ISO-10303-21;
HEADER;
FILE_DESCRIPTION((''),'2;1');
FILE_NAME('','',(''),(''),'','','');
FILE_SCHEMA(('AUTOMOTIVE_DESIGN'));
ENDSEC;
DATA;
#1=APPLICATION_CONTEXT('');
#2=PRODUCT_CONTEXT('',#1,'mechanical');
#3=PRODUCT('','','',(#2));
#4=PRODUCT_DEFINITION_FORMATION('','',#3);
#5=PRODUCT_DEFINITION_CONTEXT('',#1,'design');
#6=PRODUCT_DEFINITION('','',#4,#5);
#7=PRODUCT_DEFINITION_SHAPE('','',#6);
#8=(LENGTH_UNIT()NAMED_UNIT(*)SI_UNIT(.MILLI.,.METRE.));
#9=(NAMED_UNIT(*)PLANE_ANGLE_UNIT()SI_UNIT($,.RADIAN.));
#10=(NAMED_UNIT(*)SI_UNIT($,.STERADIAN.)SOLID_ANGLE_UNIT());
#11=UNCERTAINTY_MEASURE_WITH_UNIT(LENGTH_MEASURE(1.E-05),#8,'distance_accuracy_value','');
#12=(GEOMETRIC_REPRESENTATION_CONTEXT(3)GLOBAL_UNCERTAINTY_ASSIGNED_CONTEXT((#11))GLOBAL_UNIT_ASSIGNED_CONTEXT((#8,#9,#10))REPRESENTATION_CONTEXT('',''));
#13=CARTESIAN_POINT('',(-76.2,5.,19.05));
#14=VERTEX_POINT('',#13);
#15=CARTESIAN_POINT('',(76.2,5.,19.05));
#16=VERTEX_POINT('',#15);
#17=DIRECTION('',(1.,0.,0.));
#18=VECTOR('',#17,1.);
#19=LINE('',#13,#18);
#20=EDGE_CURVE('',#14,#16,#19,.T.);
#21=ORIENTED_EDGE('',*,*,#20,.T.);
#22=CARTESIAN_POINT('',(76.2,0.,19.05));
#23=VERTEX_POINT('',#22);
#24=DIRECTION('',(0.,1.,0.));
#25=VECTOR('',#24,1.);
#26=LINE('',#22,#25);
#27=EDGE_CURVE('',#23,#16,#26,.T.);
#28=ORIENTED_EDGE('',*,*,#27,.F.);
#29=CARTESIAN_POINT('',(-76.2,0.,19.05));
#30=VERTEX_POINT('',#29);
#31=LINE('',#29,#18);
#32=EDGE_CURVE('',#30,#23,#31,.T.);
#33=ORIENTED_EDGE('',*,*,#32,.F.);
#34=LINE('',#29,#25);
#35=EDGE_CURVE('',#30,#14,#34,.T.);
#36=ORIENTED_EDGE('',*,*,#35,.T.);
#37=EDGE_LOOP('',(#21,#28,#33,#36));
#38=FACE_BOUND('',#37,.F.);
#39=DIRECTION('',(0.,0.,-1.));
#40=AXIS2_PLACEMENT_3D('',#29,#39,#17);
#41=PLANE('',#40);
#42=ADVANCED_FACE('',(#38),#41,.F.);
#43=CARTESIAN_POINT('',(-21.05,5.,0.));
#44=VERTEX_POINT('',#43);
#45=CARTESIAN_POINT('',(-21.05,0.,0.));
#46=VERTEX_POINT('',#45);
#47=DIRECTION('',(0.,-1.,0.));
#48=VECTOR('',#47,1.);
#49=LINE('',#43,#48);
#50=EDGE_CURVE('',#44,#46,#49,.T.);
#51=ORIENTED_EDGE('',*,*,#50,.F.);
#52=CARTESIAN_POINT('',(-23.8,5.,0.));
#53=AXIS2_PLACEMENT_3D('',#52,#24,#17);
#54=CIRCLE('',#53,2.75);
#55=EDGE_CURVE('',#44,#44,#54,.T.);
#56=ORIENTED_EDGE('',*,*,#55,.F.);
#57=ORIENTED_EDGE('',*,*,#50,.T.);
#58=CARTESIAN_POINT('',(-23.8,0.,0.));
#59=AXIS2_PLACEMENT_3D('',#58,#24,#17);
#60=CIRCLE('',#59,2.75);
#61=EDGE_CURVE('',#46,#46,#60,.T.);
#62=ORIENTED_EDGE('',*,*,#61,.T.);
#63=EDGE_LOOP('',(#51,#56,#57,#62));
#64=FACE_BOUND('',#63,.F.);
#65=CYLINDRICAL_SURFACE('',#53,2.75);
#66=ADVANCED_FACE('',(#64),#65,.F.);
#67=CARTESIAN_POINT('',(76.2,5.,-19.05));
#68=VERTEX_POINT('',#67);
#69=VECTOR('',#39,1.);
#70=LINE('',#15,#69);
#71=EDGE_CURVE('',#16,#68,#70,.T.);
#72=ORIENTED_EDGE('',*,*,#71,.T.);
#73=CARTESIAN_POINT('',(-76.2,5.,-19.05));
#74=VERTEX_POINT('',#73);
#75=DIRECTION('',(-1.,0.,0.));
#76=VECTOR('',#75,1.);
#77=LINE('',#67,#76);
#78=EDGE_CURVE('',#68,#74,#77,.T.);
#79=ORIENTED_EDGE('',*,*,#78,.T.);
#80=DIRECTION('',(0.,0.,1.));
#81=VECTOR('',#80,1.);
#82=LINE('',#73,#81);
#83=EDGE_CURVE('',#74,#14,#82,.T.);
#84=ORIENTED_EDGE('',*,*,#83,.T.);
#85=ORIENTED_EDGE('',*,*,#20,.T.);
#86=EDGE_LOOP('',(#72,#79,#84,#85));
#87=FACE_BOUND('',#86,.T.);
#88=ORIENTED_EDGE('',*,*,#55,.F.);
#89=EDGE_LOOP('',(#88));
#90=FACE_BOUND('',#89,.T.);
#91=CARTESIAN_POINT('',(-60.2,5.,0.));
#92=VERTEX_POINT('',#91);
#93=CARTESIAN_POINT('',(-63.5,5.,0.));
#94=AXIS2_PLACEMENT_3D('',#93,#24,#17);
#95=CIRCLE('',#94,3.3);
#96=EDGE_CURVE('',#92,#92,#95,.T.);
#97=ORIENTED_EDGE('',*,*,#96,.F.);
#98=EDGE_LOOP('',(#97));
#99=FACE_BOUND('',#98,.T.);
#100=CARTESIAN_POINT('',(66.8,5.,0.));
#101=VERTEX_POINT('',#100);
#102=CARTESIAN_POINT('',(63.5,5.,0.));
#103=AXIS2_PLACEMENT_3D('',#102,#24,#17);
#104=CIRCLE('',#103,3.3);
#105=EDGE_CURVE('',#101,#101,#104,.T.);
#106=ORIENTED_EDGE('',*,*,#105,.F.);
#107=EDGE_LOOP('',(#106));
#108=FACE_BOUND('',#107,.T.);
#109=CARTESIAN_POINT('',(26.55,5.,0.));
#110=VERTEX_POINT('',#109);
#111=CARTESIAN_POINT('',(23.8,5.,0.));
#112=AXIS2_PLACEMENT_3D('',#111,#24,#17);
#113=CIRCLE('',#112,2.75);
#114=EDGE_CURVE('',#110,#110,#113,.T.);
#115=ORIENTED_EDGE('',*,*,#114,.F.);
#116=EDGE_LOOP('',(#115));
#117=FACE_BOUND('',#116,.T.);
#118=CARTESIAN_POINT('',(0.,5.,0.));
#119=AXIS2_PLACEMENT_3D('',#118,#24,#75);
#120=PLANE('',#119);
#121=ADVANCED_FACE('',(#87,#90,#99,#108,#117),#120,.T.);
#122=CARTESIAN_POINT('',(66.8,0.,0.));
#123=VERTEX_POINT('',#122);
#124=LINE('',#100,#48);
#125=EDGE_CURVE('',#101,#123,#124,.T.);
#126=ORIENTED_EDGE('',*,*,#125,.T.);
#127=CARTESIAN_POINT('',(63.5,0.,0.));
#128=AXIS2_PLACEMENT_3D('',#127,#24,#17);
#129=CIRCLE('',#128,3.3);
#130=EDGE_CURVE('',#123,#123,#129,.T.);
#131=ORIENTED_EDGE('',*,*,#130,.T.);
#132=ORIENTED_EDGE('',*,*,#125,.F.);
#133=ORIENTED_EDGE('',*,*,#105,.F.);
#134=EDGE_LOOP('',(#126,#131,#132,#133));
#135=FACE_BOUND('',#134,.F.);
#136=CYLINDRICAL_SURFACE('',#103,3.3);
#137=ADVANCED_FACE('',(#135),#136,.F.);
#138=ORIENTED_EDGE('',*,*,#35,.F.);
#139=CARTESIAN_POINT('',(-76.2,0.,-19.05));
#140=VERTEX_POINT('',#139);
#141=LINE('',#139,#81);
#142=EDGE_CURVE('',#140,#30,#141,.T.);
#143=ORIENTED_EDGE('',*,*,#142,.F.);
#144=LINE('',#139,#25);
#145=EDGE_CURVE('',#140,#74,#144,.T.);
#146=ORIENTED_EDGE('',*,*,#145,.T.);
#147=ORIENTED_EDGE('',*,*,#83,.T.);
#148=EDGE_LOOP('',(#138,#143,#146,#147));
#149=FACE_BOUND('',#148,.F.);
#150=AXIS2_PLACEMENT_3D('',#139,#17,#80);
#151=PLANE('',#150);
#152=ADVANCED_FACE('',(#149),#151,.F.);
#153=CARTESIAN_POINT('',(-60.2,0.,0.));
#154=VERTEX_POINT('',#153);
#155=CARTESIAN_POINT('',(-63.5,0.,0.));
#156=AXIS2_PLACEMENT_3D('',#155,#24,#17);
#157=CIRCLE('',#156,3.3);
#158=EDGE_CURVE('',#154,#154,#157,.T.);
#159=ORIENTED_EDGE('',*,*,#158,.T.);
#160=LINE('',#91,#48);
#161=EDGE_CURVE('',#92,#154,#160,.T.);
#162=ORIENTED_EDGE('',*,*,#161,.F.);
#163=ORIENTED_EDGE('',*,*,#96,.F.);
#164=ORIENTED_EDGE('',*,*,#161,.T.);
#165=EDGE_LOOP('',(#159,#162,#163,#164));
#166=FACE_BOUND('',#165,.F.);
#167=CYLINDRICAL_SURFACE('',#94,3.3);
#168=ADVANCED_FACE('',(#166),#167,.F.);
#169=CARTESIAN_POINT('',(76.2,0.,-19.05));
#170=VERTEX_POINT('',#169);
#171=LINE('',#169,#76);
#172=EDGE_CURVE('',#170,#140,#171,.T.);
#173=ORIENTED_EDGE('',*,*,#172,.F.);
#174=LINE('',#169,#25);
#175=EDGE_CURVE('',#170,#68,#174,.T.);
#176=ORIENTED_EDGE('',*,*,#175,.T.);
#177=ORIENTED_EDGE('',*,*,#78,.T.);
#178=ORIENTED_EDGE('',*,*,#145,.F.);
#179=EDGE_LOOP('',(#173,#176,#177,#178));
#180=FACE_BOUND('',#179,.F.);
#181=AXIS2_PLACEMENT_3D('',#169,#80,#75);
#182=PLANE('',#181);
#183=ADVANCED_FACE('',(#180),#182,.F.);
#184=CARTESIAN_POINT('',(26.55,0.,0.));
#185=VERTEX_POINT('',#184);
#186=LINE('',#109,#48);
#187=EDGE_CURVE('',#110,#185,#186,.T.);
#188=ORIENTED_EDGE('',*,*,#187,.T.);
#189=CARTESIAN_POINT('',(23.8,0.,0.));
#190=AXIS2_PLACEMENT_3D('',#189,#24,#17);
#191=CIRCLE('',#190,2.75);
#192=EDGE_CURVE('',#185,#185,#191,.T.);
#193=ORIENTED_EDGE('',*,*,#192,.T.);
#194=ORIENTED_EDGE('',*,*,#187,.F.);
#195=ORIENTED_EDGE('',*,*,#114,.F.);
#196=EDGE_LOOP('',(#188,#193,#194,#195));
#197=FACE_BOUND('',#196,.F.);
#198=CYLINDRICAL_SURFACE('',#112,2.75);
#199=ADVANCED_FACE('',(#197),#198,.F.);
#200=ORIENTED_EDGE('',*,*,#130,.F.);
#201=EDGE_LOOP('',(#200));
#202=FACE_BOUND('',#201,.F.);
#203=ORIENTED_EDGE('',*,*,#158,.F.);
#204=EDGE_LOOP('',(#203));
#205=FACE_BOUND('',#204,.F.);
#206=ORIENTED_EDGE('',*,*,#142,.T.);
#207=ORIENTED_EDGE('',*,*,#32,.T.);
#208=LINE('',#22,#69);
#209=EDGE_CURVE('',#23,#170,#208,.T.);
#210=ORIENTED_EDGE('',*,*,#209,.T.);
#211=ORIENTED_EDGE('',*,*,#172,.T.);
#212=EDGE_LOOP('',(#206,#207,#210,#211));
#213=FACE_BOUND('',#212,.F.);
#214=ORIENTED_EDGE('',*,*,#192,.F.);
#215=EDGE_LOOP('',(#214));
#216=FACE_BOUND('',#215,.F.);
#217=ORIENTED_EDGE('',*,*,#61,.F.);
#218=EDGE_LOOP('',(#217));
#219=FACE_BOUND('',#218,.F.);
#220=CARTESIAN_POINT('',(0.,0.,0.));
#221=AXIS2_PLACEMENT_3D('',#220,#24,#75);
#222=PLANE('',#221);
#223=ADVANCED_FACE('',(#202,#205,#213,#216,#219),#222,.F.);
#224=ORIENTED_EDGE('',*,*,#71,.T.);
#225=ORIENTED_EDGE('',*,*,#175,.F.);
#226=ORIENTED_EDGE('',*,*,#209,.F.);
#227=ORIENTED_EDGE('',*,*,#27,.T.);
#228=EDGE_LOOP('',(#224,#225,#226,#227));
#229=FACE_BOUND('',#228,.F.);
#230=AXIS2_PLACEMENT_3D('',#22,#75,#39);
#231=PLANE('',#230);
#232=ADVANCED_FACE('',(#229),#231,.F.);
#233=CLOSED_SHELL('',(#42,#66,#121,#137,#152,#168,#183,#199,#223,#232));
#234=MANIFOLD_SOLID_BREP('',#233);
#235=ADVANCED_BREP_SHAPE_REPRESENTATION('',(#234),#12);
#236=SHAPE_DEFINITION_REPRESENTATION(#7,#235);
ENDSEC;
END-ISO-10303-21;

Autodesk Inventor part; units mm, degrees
ref_plane "YZ Plane" through (0, 0, 0) normal (1, 0, 0) x (0, 1, 0)
ref_plane "XZ Plane" through (0, 0, 0) normal (0, 1, 0) x (-1, 0, 0)
ref_plane "XY Plane" through (0, 0, 0) normal (0, 0, 1) x (1, 0, 0)
sketch "Sketch1" plane through (0, 0, 0) normal (0, 1, 0) x (-1, 0, 0)
  line L0 (76.2, 19.05) -> (-76.2, 19.05)
  line L1 (-76.2, 19.05) -> (-76.2, -19.05)
  line L2 (-76.2, -19.05) -> (76.2, -19.05)
  line L3 (76.2, -19.05) -> (76.2, 19.05)
  line L4 (76.2, 19.05) -> (-76.2, -19.05) construction
  line L5 (-76.2, 19.05) -> (76.2, -19.05) construction
  point P0 (0, 0)
  dimension "d0" = 152.4
  dimension "d1" = 38.1
extrude "Extrusion1" add sketch "Sketch1" along normal blind 5
sketch "Sketch2" plane through (0, 5, 0) normal (0, 1, 0) x (1, 0, 0)
  circle A0 centre (-23.8, 0) radius 2.75
  circle A1 centre (23.8, 0) radius 2.75
  circle A2 centre (-63.5, 0) radius 3.3
  circle A3 centre (63.5, 0) radius 3.3
  line L0 (-76.2, 19.05) -> (-76.2, -19.05) projected
  line L1 (76.2, -19.05) -> (76.2, 19.05) projected
  point P0 (0, 0)
  dimension "d4" = 5.5
  dimension "d5" = 5.5
  dimension "d6" = 47.6
  dimension "d7" = 23.8
  dimension "d8" = 6.6
  dimension "d9" = 6.6
  dimension "d10" = 12.7
  dimension "d11" = 12.7
extrude "Extrusion2" cut sketch "Sketch2" against normal up to next
properties part number "Manifold_Plate"
